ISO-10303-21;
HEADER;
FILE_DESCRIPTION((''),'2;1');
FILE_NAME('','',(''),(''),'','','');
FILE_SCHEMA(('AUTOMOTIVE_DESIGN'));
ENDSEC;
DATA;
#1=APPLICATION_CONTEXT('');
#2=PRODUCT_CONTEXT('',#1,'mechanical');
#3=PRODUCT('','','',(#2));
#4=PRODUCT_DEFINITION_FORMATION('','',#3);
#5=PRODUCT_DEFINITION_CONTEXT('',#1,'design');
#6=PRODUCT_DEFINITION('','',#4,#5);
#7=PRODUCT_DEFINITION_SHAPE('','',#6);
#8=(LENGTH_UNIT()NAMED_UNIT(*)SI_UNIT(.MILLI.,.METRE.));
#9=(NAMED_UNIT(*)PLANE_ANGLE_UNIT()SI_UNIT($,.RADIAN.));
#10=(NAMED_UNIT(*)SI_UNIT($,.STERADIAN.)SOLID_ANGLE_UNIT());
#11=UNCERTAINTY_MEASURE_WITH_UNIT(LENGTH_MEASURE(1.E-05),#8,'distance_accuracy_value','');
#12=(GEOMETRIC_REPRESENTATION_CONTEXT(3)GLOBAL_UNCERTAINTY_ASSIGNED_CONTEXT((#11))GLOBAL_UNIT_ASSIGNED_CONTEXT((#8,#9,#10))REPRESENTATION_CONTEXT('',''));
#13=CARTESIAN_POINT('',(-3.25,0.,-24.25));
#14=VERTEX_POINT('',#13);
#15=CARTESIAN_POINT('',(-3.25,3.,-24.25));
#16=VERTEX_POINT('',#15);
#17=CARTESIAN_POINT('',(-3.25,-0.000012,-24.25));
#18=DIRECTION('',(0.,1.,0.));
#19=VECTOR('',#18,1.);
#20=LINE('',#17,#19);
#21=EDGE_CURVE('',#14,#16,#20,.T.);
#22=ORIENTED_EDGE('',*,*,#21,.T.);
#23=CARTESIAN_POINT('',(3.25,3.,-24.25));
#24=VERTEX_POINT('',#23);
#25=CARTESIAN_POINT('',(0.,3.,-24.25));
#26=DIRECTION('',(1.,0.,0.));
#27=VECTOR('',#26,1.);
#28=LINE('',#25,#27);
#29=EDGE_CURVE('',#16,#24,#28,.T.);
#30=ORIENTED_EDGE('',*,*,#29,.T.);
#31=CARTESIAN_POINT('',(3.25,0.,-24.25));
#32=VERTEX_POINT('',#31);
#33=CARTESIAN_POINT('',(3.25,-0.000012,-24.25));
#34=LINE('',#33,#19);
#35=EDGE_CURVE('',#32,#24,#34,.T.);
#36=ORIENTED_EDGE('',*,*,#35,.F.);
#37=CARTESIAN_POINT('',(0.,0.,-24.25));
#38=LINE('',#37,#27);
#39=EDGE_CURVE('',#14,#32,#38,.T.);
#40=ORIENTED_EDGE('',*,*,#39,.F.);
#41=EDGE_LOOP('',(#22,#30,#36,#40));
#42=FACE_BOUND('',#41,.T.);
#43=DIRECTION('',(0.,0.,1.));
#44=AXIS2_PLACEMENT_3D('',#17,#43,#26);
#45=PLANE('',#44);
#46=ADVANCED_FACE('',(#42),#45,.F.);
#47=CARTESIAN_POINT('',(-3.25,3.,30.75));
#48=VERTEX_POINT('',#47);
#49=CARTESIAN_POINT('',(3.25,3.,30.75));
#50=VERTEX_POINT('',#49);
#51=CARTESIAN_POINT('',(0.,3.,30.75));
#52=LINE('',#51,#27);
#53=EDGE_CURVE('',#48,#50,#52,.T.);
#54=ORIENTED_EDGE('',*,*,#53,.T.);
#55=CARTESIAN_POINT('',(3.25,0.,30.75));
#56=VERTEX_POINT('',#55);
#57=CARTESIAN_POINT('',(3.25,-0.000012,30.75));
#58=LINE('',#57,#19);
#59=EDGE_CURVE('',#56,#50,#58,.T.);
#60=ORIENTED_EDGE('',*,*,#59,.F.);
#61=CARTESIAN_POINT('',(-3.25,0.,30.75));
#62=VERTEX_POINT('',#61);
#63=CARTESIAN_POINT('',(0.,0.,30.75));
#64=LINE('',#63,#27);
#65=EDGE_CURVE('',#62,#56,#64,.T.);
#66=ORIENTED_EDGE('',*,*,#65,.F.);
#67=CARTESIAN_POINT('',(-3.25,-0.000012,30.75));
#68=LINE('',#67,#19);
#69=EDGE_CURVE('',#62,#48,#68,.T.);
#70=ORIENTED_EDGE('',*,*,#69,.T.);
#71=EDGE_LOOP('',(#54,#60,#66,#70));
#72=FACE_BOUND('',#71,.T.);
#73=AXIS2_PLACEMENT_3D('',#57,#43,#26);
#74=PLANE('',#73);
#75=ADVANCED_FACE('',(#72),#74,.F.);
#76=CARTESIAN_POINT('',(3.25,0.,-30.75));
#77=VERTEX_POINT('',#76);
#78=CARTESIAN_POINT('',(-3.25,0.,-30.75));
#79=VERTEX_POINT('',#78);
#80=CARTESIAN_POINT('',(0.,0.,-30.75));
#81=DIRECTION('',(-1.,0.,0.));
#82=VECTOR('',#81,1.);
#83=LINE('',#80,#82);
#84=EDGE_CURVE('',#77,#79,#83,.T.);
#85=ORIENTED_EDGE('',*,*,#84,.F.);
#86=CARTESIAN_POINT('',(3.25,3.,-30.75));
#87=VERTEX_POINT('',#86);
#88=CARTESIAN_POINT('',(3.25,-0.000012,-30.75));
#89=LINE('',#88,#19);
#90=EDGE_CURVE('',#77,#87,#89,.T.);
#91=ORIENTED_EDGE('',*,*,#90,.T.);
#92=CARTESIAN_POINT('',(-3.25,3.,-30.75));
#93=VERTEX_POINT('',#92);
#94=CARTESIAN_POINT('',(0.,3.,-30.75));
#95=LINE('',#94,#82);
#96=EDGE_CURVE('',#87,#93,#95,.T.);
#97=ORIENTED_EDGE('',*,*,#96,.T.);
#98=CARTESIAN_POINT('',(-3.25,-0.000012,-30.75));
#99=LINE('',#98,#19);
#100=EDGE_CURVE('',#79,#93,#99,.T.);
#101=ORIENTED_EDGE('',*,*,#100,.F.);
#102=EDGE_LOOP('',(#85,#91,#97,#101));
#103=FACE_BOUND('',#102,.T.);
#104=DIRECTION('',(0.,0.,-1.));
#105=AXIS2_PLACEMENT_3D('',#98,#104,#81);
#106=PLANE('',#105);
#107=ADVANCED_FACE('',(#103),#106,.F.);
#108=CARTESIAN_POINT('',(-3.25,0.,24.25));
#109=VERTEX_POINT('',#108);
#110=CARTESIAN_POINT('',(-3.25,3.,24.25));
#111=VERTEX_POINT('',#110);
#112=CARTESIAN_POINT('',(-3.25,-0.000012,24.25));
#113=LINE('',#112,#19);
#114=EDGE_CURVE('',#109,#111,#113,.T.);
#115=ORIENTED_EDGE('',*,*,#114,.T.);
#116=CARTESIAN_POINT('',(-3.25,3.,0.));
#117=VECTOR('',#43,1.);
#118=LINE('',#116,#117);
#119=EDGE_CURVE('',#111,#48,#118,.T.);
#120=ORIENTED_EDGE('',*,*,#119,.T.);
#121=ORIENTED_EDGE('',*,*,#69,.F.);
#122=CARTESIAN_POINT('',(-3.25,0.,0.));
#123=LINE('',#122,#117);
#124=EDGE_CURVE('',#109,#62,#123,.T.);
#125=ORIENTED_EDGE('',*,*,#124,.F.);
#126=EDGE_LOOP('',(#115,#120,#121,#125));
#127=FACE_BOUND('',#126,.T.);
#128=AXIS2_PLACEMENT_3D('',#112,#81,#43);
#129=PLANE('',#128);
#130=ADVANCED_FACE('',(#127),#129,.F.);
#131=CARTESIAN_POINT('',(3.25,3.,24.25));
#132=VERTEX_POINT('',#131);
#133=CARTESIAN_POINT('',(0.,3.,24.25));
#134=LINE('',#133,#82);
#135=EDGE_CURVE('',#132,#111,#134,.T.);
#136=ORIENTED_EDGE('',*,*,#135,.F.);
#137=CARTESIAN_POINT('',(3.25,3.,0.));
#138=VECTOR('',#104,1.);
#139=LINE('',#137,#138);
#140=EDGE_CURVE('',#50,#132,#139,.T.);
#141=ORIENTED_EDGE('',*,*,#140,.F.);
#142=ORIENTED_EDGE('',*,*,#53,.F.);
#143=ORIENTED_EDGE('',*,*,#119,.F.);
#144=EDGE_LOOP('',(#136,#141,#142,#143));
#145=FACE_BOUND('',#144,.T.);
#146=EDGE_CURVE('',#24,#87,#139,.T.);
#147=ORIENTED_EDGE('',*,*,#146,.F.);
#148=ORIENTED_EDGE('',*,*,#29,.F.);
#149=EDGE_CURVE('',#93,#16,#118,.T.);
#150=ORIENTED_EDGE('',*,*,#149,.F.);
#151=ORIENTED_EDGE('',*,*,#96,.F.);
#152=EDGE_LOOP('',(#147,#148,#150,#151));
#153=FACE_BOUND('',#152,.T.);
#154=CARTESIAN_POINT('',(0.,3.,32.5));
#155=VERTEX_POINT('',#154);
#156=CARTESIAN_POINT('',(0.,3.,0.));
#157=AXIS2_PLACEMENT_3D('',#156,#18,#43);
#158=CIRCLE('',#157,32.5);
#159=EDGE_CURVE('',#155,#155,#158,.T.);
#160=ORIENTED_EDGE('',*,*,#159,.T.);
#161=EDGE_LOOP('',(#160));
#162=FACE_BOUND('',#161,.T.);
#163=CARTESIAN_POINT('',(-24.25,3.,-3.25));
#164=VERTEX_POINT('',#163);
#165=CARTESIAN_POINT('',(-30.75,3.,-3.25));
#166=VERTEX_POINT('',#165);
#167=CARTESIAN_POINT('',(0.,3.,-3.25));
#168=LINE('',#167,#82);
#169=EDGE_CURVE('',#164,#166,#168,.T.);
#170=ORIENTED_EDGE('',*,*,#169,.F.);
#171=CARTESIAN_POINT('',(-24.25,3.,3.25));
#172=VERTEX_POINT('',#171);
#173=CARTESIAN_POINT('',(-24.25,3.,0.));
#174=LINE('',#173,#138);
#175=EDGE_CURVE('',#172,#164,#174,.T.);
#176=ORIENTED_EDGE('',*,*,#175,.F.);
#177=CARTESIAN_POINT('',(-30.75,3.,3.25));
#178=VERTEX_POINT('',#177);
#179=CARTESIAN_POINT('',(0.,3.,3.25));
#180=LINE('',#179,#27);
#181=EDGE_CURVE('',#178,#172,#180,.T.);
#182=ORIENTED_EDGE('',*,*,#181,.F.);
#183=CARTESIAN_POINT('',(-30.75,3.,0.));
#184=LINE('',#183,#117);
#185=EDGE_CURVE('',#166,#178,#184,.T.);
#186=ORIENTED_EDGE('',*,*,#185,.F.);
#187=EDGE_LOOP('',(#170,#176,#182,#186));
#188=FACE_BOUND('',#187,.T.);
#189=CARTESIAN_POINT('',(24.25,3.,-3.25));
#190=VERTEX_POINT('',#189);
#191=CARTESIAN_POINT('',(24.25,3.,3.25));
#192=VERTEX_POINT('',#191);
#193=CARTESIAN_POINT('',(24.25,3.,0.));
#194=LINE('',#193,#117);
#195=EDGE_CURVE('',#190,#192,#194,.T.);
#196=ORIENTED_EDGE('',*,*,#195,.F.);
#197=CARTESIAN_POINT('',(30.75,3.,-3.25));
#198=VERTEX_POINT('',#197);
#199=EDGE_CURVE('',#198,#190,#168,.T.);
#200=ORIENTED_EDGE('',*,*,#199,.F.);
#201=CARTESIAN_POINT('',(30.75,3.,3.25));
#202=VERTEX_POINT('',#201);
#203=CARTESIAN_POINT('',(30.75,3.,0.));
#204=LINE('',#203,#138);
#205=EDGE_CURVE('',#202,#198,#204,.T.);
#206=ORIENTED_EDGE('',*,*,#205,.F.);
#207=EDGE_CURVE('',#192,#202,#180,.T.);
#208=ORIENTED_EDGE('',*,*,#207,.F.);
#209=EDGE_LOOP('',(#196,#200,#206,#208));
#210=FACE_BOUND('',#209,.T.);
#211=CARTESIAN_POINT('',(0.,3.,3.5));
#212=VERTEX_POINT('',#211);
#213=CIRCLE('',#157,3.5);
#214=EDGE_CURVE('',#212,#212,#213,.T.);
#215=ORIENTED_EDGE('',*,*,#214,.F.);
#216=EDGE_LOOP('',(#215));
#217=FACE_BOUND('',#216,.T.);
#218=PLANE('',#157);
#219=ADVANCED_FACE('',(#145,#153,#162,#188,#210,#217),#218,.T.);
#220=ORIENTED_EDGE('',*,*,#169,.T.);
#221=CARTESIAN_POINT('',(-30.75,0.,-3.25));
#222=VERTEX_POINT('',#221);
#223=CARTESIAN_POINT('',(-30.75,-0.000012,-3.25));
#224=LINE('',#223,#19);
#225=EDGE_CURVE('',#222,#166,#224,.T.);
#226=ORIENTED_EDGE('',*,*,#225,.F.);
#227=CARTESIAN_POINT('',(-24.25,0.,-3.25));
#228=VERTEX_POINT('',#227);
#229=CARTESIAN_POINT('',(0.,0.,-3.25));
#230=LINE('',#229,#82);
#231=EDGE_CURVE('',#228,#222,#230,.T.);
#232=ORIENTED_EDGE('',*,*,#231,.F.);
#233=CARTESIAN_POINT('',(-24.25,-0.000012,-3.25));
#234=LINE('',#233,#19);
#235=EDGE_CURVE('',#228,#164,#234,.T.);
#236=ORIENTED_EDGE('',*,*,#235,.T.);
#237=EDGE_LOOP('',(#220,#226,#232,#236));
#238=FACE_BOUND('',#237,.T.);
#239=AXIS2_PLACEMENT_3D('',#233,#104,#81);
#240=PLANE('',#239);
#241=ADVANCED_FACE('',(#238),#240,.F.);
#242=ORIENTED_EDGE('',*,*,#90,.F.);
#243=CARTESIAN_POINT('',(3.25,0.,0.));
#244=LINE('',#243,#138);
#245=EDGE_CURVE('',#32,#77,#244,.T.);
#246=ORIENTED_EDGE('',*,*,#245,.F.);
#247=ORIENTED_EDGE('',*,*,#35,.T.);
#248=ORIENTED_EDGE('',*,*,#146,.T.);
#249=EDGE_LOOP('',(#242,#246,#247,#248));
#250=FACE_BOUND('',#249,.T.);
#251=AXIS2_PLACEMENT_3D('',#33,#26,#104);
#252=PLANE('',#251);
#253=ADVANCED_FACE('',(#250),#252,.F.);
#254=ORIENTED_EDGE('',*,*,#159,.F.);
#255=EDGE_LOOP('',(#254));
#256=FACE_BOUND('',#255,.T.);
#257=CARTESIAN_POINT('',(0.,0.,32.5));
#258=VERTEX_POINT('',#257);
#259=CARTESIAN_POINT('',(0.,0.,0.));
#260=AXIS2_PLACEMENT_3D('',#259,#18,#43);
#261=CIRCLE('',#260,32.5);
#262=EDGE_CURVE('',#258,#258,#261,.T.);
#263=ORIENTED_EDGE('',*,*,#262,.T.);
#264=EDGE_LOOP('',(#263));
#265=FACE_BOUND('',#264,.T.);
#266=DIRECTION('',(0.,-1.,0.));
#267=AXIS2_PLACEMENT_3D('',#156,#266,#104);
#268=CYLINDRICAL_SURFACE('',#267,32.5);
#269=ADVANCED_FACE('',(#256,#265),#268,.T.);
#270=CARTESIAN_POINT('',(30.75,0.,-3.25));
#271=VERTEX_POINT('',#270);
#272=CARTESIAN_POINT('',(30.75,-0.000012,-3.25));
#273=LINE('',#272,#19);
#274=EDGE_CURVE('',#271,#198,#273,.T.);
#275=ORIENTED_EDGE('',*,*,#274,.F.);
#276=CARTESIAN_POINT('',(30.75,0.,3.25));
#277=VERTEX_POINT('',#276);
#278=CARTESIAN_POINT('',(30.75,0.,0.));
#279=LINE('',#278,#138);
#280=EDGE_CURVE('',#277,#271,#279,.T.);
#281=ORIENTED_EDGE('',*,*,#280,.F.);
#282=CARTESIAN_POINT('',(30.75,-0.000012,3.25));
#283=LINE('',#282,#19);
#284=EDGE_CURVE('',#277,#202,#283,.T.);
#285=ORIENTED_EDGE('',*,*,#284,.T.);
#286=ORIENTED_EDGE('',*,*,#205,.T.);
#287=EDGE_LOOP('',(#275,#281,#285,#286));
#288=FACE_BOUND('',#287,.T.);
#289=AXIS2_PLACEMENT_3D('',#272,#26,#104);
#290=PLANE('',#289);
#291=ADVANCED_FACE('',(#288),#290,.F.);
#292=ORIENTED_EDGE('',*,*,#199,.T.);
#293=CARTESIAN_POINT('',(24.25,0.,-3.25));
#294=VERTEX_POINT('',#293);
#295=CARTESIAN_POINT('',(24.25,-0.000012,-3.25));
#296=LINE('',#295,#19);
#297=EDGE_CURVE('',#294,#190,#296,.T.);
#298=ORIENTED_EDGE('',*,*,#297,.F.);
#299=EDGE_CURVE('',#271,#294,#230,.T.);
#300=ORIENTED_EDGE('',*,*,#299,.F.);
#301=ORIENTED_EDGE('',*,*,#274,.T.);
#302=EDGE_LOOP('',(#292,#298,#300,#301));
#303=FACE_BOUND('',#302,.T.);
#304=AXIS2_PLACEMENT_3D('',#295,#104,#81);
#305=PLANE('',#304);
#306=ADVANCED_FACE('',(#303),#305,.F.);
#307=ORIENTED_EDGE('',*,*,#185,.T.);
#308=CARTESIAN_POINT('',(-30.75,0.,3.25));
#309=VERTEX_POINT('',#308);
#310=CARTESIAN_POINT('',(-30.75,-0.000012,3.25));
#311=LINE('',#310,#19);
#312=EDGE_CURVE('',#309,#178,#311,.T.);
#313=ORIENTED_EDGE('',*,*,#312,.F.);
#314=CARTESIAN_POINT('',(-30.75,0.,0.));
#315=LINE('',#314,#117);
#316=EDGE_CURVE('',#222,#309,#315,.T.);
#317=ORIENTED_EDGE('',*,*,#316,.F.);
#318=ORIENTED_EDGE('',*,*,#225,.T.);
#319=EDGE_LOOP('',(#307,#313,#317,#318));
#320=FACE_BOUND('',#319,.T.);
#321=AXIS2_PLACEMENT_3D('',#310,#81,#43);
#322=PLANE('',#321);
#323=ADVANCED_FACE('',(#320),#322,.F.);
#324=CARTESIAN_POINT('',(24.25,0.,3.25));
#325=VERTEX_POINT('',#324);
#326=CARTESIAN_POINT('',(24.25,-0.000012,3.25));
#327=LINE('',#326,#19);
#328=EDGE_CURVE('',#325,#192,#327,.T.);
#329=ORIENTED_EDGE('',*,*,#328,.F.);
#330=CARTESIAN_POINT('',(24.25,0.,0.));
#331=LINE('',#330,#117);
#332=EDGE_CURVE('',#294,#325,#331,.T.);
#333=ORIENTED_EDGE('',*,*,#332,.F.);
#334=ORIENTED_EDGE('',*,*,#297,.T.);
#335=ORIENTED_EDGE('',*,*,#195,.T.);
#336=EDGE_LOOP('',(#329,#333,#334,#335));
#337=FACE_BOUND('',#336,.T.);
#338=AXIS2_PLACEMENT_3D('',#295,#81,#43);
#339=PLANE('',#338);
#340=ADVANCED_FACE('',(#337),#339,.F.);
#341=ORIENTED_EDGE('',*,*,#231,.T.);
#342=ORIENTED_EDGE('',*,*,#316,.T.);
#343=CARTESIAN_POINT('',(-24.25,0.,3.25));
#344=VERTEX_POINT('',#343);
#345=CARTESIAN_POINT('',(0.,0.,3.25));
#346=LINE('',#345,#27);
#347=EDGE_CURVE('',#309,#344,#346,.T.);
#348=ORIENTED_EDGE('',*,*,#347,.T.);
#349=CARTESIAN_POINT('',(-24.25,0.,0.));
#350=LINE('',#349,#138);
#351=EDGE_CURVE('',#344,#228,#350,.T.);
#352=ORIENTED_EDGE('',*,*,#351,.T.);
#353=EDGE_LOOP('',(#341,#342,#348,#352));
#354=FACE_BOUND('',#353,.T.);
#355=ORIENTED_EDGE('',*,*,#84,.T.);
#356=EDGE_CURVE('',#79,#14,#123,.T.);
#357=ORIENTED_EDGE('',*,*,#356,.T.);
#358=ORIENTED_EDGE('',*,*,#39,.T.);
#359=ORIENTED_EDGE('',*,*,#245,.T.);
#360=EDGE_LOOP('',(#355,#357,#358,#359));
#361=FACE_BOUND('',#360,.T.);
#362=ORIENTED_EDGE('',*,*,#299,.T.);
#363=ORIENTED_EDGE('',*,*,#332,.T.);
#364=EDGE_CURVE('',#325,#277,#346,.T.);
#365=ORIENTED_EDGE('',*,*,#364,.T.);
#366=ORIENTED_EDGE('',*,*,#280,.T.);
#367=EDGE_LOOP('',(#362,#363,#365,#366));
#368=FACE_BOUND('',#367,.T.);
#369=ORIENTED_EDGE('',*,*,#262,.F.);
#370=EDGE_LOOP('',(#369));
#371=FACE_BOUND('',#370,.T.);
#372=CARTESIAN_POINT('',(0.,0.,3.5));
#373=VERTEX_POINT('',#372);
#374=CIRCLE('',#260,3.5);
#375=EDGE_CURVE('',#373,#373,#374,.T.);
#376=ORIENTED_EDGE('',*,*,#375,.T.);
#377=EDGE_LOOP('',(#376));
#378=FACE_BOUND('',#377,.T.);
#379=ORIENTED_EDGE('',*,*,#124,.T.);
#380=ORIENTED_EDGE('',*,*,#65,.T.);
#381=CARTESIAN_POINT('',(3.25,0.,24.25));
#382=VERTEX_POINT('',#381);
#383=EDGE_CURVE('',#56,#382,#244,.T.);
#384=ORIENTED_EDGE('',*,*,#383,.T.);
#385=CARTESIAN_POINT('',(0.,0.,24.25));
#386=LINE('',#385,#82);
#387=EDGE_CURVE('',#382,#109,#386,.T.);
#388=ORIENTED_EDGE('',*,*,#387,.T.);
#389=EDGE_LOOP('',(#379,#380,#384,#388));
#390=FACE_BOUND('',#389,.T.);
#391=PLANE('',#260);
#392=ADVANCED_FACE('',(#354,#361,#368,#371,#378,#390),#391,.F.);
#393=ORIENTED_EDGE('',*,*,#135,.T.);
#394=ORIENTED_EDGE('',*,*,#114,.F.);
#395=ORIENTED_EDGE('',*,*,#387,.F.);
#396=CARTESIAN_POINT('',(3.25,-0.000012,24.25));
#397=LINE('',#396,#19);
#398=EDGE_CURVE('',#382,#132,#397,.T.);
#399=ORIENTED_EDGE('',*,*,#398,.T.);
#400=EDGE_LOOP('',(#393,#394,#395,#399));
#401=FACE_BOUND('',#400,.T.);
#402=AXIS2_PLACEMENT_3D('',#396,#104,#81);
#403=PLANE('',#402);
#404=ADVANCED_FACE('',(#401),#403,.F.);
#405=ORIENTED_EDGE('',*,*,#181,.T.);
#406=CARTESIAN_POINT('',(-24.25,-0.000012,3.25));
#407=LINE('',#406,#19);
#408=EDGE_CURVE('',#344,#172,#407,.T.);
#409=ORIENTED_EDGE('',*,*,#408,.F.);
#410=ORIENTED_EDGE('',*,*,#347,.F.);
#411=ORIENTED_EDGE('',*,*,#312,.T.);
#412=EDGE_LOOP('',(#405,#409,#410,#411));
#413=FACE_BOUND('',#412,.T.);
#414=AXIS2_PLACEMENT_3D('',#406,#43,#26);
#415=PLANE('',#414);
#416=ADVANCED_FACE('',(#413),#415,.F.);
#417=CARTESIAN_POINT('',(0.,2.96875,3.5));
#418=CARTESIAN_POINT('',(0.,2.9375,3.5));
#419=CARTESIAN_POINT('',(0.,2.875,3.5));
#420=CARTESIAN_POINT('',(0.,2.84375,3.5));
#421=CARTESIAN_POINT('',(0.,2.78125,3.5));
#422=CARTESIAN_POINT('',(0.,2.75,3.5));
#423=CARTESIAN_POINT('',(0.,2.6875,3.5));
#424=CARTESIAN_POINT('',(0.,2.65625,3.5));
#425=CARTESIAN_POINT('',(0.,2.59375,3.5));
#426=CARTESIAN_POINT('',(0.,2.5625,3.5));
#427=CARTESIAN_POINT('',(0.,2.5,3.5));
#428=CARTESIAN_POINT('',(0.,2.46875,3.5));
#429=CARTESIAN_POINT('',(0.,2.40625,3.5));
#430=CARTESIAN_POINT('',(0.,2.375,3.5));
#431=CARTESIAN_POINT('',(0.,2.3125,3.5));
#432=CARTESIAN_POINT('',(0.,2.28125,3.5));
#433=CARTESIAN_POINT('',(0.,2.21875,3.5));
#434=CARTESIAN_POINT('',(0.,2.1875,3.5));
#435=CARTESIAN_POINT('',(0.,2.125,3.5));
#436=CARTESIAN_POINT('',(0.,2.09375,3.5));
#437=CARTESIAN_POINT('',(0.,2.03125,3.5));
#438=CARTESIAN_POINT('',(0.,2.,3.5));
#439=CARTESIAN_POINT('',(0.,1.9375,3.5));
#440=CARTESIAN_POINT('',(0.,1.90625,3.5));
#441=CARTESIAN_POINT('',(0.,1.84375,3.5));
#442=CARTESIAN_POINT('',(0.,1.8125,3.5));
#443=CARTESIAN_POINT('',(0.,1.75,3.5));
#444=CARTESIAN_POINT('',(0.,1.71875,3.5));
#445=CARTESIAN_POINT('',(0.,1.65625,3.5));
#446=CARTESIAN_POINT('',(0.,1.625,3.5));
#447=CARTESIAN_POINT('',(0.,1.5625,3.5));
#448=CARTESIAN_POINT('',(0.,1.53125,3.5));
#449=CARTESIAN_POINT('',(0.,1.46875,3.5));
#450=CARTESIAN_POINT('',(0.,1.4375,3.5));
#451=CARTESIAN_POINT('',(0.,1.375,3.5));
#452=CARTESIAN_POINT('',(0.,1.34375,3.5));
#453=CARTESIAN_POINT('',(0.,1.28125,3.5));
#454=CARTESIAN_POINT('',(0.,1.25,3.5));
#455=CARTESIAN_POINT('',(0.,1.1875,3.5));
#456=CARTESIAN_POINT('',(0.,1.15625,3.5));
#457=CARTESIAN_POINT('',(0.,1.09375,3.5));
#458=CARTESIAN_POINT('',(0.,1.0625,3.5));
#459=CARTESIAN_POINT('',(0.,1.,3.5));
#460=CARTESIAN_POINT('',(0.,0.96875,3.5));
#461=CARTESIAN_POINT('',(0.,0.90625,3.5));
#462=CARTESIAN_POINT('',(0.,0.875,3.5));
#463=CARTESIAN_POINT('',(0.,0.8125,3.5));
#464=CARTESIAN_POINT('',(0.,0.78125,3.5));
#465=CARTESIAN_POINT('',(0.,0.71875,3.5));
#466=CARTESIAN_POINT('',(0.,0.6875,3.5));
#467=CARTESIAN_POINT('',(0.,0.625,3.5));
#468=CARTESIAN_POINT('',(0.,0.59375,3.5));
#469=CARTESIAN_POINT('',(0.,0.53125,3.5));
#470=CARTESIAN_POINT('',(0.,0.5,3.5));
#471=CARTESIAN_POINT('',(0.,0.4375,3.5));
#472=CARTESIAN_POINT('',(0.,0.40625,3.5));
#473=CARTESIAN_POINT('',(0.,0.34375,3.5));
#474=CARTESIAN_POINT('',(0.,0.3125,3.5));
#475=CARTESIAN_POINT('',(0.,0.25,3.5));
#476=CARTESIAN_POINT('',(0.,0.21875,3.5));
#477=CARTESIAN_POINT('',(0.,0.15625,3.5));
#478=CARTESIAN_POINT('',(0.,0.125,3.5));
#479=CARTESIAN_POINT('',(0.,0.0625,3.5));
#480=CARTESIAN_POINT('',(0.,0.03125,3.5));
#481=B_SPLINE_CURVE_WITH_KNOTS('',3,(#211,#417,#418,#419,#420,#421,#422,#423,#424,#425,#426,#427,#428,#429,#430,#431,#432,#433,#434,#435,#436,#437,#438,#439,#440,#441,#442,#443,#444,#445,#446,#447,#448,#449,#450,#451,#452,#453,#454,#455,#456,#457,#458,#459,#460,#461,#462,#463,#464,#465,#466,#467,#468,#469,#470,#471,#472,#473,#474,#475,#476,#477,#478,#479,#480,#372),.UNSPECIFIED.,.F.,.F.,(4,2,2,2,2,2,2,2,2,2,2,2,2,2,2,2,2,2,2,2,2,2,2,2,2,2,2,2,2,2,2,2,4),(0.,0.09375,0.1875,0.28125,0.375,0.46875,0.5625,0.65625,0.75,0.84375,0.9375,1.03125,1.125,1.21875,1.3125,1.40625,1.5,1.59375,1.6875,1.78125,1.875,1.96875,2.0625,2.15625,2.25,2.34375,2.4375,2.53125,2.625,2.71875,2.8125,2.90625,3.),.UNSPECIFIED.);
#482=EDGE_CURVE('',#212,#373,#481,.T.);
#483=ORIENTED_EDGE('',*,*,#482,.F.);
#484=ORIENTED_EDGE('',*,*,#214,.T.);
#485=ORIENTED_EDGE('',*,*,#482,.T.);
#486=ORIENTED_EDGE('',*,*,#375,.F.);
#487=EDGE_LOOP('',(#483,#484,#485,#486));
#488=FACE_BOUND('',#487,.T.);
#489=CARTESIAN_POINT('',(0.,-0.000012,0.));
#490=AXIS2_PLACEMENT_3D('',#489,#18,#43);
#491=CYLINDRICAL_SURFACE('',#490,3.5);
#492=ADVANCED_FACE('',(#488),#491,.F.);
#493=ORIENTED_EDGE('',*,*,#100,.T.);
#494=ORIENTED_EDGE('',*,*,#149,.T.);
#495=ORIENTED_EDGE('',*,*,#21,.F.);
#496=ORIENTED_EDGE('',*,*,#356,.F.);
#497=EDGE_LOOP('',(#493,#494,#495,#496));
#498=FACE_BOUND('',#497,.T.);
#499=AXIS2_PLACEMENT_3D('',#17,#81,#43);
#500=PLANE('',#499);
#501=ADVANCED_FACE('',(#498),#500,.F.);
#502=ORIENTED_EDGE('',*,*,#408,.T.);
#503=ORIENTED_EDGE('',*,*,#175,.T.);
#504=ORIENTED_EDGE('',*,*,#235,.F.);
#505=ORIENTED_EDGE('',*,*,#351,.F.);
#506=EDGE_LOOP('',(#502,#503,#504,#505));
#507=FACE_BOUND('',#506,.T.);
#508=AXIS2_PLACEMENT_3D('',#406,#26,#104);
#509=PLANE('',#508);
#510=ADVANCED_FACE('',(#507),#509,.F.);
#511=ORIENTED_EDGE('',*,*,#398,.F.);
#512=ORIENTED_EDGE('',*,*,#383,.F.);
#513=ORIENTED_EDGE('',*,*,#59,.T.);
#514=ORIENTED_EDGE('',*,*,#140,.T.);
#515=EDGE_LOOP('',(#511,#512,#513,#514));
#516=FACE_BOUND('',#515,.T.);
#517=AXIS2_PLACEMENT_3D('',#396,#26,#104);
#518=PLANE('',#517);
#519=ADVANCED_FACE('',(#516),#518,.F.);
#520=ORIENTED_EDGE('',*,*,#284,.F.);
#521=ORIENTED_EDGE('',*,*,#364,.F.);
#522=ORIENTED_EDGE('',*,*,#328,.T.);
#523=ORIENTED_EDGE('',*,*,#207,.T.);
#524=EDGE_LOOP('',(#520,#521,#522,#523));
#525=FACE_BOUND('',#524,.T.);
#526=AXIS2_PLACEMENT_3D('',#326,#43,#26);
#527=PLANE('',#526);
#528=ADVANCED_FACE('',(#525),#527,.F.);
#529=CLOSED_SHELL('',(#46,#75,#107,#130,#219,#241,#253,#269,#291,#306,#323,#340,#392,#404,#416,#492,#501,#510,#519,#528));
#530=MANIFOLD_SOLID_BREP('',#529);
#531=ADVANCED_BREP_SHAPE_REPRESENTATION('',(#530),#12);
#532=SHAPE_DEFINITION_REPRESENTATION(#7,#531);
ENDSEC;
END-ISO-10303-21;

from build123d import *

# Parameters (mm, degrees)
SKETCH1_R               = 32.5
BOSS_EXTRUDE1_DEPTH     = 3
CUT_EXTRUDE1_DEPTH      = 10
CUT_EXTRUDE1_DEPTH_BACK = 47.059743812
SKETCH2_R               = 3.5
SKETCH2_W               = 6.5
SKETCH2_H               = 6.5


with BuildPart() as part:
    # Sketch1 → Boss-Extrude1 (new body)
    with BuildSketch(Plane(origin=(0, 0, 0), x_dir=(1, 0, 0), z_dir=(0, 1, 0))):
        with Locations(Location((0, 0, 0), (0, 0, 270))):
            Circle(SKETCH1_R)
    extrude(amount=BOSS_EXTRUDE1_DEPTH)

    # Sketch2 → Cut-Extrude1 (cut, two sides: drawn at the far end of the back side and taken through both)
    with BuildSketch(Plane(origin=(0, 0, 0), x_dir=(1, 0, 0), z_dir=(0, 1, 0)).offset(-CUT_EXTRUDE1_DEPTH_BACK)):
        with Locations(Location((0, 0, 0), (0, 0, 270))):
            Circle(SKETCH2_R)
        with Locations((0, -27.5)):
            Rectangle(SKETCH2_W, SKETCH2_H)
        with Locations((27.5, 0)):
            Rectangle(SKETCH2_W, SKETCH2_H)
        with Locations((-27.5, 0)):
            Rectangle(SKETCH2_W, SKETCH2_H)
        with Locations((0, 27.5)):
            Rectangle(SKETCH2_W, SKETCH2_H)
    extrude(amount=CUT_EXTRUDE1_DEPTH + CUT_EXTRUDE1_DEPTH_BACK, mode=Mode.SUBTRACT)


solid = part.part
